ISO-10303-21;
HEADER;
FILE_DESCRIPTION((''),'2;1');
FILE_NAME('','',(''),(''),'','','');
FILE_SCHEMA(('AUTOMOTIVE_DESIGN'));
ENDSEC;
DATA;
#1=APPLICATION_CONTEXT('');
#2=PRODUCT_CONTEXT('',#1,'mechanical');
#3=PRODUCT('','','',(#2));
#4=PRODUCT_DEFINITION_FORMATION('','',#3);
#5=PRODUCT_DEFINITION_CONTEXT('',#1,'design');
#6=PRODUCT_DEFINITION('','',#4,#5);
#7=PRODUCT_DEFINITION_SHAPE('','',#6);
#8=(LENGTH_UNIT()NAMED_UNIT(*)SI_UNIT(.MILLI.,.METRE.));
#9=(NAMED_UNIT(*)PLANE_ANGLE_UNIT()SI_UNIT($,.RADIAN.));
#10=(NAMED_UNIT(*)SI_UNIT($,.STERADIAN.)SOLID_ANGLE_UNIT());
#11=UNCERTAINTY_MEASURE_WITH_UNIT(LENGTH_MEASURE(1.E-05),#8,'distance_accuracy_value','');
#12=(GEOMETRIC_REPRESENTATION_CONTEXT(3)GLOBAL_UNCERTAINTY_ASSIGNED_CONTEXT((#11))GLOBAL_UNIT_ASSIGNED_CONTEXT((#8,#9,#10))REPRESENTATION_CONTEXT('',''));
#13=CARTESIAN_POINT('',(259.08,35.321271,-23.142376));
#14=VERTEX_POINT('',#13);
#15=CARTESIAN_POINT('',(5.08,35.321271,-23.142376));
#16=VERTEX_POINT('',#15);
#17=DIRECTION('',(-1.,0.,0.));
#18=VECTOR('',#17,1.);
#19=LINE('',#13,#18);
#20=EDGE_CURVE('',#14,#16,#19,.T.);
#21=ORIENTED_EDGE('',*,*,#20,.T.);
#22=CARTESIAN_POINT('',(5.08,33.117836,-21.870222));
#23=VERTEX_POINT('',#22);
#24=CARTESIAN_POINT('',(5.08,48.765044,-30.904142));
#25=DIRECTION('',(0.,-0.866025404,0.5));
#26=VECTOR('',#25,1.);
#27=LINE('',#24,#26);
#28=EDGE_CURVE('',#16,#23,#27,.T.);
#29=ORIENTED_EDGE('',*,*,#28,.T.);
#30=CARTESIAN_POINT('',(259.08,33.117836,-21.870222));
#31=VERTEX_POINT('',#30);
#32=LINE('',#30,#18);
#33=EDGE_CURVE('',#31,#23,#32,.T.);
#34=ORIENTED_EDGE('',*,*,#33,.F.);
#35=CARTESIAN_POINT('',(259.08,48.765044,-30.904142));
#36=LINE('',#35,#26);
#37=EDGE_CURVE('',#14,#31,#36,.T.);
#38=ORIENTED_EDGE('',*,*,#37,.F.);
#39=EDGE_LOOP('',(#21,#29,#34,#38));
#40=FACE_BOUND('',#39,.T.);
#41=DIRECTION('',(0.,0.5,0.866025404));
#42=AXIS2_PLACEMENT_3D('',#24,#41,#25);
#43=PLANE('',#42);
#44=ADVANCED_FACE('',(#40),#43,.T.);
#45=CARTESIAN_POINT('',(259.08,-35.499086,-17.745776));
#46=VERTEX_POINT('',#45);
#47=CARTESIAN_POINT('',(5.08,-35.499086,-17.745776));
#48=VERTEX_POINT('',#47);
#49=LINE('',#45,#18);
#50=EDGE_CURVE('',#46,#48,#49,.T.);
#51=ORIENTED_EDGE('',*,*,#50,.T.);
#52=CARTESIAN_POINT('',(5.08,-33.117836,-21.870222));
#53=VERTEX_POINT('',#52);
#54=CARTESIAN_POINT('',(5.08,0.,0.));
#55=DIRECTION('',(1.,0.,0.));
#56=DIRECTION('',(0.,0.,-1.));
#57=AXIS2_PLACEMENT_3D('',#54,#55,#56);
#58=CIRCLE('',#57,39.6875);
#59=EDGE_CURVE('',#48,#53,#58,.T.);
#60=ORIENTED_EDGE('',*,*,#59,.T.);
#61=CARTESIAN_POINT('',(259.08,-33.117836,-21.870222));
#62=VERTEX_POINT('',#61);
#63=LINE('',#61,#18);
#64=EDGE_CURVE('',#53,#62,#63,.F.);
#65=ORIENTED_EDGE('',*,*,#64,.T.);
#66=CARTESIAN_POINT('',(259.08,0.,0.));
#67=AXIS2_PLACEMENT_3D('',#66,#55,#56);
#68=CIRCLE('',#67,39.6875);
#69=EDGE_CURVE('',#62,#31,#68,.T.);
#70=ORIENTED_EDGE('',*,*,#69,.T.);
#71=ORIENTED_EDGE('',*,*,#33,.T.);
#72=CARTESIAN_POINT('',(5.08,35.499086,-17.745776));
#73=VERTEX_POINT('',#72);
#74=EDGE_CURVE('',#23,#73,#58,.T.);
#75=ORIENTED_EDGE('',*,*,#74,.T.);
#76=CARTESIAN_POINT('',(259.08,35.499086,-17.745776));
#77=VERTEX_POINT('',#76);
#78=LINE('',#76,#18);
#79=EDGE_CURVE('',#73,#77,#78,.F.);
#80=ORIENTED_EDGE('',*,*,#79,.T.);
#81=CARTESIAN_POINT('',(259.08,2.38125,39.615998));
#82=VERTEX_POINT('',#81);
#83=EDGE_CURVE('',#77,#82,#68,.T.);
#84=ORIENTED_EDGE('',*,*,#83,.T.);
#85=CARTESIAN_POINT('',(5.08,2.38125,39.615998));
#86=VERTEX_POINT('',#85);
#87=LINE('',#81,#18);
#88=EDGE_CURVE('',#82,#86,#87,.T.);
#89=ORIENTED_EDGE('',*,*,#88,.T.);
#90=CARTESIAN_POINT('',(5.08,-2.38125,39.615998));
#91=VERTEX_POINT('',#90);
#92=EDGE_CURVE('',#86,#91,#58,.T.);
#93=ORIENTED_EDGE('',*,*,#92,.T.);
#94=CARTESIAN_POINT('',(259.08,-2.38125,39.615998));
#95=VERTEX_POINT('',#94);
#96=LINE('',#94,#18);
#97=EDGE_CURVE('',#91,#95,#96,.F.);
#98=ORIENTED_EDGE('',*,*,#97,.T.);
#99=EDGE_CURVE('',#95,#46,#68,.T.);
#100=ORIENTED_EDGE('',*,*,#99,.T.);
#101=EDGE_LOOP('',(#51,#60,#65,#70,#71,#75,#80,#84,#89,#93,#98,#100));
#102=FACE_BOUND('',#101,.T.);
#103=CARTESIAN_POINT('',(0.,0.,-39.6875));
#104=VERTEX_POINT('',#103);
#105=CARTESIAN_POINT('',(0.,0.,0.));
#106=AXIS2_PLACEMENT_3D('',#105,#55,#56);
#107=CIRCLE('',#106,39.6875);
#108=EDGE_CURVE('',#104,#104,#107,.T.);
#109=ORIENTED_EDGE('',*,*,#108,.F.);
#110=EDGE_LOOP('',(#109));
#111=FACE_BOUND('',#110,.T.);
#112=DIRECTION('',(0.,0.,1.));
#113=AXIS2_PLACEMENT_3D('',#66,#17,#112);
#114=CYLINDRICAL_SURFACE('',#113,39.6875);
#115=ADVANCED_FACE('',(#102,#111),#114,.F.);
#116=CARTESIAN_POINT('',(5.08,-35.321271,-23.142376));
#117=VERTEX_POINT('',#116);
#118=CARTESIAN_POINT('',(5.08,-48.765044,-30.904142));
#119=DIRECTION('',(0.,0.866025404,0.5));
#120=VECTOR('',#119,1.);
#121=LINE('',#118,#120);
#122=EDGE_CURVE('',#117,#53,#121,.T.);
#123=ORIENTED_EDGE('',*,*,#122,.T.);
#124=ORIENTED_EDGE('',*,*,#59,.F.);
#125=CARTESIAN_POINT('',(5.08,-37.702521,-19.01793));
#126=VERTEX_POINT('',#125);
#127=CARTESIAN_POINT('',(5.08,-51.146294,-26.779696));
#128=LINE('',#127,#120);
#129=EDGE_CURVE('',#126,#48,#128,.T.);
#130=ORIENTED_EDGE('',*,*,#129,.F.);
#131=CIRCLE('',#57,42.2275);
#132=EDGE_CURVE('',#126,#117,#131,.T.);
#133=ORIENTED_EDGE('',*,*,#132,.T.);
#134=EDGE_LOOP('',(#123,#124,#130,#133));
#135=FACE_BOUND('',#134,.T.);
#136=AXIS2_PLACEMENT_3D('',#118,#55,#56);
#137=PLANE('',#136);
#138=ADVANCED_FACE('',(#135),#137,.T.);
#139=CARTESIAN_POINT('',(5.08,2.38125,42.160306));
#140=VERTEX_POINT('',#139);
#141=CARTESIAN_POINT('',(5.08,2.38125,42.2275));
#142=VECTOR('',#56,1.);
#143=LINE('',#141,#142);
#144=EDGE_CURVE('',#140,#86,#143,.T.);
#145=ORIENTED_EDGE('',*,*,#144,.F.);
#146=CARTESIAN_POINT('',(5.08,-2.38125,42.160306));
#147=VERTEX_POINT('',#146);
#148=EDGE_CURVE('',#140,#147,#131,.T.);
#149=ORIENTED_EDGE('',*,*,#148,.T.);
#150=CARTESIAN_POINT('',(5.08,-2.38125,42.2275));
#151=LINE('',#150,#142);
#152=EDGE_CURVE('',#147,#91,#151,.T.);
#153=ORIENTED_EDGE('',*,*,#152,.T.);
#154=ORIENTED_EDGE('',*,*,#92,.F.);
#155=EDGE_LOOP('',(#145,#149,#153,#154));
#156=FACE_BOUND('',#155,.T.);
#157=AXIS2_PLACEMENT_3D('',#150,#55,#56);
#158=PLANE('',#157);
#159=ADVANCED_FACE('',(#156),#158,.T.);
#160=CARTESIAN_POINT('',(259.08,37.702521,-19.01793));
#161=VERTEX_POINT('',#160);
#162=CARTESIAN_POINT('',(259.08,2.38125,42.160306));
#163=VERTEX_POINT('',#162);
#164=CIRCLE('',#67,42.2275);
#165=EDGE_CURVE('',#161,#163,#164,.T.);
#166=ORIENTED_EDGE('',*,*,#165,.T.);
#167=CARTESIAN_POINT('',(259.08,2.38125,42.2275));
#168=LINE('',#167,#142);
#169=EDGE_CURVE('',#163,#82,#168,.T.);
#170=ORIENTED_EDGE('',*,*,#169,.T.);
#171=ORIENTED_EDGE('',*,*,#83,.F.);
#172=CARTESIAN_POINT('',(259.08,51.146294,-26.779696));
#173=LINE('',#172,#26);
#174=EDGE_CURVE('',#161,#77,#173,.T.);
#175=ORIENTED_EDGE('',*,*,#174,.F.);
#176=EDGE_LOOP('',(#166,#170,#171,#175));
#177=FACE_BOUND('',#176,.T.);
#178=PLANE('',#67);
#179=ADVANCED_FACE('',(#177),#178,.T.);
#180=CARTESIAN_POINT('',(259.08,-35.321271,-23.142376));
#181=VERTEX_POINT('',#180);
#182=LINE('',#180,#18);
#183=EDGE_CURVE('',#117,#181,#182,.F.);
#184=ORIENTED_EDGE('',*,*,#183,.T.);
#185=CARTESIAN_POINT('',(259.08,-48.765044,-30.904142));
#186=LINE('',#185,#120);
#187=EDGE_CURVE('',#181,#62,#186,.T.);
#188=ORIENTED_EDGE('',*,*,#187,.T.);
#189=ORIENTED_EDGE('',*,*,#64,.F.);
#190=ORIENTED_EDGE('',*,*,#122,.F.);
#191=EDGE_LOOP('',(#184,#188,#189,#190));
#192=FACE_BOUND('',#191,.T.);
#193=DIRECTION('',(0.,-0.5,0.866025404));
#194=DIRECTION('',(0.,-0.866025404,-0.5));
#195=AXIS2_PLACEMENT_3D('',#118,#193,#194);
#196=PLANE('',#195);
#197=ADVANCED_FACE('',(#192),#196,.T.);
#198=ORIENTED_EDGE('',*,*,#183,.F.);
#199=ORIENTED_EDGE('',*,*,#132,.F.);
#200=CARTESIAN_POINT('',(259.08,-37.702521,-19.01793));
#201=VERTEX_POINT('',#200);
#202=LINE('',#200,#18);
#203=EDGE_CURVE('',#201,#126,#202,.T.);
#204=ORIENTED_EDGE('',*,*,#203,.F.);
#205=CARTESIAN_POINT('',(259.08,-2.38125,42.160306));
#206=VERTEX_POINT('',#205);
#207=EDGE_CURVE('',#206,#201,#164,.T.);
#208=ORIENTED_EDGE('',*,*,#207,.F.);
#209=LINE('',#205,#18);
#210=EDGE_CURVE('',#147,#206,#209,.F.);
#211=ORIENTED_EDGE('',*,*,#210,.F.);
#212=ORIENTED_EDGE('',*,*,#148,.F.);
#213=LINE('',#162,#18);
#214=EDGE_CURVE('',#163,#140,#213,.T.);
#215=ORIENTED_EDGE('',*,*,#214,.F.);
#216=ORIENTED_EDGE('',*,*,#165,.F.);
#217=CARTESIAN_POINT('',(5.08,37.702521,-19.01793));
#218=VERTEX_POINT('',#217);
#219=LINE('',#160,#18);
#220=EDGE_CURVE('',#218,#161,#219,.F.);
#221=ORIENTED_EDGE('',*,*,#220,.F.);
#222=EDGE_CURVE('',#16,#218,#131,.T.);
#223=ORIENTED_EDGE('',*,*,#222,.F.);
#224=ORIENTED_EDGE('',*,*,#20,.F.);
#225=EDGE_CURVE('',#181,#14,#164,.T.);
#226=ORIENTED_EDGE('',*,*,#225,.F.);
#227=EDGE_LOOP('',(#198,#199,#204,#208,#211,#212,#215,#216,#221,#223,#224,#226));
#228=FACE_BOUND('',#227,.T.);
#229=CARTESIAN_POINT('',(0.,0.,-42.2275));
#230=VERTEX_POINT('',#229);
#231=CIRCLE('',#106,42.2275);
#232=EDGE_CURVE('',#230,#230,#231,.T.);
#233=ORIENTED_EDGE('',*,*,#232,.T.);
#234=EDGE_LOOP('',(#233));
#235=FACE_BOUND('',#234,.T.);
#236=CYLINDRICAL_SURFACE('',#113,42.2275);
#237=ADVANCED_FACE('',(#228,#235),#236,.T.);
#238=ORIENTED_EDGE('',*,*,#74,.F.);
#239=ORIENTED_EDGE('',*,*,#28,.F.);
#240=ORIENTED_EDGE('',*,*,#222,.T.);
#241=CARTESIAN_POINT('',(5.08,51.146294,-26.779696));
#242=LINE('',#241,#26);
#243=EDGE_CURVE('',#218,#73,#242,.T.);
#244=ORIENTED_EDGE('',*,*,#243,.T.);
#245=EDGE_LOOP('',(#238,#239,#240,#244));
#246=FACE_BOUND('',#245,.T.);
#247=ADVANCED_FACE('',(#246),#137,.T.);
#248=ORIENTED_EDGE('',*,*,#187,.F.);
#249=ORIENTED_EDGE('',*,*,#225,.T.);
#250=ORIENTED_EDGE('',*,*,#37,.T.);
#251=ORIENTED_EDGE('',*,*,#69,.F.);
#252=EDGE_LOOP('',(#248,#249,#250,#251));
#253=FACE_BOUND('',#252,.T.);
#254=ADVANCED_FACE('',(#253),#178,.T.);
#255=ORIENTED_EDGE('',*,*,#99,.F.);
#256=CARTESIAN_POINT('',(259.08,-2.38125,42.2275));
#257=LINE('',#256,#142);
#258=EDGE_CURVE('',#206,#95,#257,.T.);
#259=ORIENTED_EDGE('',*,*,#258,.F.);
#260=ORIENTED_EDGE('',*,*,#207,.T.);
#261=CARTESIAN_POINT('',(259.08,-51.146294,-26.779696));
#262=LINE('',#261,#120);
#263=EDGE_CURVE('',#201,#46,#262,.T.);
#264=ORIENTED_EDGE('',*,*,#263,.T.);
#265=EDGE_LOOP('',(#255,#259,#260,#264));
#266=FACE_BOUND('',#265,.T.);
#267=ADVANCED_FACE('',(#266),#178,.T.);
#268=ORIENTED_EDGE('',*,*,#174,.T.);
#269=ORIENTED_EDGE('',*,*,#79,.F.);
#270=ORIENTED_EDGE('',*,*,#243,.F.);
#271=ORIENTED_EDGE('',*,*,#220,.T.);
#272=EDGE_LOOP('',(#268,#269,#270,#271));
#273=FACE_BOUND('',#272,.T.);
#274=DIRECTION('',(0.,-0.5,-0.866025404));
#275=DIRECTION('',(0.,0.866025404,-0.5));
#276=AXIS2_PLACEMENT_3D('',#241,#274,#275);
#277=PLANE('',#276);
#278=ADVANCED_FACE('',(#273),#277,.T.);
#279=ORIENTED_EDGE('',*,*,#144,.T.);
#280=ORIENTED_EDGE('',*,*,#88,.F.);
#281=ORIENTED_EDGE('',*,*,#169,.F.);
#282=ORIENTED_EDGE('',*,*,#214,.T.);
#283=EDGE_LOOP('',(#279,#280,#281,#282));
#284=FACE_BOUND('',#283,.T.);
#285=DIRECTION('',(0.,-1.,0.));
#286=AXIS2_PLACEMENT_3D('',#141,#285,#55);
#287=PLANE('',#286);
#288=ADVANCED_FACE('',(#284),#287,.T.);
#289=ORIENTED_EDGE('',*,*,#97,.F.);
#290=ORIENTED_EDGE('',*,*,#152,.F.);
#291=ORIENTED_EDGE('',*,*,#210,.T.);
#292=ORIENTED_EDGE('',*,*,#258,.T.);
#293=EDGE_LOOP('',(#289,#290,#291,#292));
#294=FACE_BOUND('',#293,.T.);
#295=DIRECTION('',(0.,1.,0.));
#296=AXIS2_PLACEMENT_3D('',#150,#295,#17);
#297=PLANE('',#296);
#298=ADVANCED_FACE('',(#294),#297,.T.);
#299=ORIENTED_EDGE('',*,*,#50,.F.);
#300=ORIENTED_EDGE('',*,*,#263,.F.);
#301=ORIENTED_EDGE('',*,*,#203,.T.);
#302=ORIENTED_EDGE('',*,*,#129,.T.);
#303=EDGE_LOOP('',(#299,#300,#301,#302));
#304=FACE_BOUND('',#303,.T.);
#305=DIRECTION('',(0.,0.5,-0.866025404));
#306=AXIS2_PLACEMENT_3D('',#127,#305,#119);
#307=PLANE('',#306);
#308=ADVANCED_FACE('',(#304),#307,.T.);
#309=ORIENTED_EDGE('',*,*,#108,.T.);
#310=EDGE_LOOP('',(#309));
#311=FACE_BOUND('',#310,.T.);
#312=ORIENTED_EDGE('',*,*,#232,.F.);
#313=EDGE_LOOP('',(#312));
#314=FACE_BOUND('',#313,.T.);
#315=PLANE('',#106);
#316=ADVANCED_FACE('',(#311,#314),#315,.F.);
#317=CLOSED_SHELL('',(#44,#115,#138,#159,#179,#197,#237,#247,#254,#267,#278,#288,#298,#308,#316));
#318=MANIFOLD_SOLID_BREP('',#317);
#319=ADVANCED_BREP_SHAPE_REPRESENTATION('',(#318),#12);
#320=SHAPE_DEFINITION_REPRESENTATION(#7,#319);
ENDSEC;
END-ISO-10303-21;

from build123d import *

# Parameters (mm, degrees)
SKETCH1_R           = 42.2275
SKETCH1_R_2         = 39.6875
BOSS_EXTRUDE1_DEPTH = 259.08
SKETCH2_W           = 4.7625
SKETCH2_H           = 254
CUT_EXTRUDE1_DEPTH  = 266.873597622
CIRPATTERN1_COUNT   = 3


with BuildPart() as part:
    # Sketch1 → Boss-Extrude1 (new body)
    with BuildSketch(Plane.YZ):
        with Locations(Location((0, 0, 0), (0, 0, 270))):
            Circle(SKETCH1_R)
        with Locations(Location((0, 0, 0), (0, 0, 270))):
            Circle(SKETCH1_R_2, mode=Mode.SUBTRACT)
    extrude(amount=BOSS_EXTRUDE1_DEPTH)

    # Sketch2 → Cut-Extrude1 (cut, through all)
    with BuildSketch(Plane(origin=(0, 0, 0), x_dir=(0, 1, 0), z_dir=(0, 0, 1))):
        with Locations((0, -132.08)):
            Rectangle(SKETCH2_W, SKETCH2_H)
    cut_extrude1 = extrude(amount=CUT_EXTRUDE1_DEPTH, mode=Mode.SUBTRACT)

    # CirPattern1: Cut-Extrude1 ×3 about axis
    cirpattern1_axis = Axis((0, 0, 0), (1, 0, 0))
    for i in range(1, CIRPATTERN1_COUNT):
        add(cut_extrude1.rotate(cirpattern1_axis, i * 360 / CIRPATTERN1_COUNT), mode=Mode.SUBTRACT)


solid = part.part
